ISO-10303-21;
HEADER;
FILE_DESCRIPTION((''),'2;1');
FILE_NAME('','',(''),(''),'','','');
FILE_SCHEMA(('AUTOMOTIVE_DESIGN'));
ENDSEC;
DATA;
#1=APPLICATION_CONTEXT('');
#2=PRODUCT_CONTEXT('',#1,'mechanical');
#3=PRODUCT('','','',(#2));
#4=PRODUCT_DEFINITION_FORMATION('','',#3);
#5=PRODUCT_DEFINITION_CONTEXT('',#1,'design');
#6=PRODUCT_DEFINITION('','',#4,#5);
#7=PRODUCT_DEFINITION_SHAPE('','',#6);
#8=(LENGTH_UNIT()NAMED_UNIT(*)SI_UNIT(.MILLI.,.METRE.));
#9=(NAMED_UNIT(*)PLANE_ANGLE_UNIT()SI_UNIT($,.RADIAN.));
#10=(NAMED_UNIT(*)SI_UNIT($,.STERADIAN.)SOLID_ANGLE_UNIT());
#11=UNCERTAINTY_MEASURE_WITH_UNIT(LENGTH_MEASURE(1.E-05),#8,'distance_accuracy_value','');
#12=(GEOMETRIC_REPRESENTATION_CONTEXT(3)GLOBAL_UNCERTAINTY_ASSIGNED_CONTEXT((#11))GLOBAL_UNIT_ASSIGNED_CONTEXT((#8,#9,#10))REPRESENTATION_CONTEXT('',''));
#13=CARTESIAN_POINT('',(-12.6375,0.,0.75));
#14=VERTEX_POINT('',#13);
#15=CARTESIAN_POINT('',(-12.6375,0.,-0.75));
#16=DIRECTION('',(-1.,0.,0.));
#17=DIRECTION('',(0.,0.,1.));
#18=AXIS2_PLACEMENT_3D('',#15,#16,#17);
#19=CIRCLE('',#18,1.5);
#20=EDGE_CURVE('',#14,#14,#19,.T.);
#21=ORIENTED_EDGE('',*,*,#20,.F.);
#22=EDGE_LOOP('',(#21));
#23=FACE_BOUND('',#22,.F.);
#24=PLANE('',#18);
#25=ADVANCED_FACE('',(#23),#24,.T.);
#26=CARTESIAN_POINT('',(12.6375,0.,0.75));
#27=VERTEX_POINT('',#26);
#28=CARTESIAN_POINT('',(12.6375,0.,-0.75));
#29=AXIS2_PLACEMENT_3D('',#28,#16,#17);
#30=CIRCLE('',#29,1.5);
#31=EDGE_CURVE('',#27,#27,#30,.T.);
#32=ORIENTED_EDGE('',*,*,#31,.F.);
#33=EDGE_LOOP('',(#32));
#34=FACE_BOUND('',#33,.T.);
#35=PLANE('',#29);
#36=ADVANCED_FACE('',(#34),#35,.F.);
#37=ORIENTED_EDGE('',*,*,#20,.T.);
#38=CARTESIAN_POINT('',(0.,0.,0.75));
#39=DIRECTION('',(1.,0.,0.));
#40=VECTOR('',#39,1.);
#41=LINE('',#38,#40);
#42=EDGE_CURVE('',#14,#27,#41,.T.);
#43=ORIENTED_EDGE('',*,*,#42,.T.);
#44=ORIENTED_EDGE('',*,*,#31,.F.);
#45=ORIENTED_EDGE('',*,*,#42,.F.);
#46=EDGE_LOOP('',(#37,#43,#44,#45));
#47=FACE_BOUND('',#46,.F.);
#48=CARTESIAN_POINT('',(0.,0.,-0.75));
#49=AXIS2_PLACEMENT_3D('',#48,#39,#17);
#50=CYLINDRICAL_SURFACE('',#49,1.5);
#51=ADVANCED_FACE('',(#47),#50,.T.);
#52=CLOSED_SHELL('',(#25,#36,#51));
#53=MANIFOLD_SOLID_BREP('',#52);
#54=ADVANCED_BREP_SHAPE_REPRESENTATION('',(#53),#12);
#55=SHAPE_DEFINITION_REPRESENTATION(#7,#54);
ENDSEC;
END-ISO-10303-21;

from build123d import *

# Parameters (mm, degrees)
F0_W = 25.275
F0_H = 1.5


with BuildPart() as f1:
    # F0 (on Front) → F1 (revolve)
    with BuildSketch(Plane.XZ):
        Rectangle(F0_W, F0_H)
    revolve(axis=Axis((0, 0, -0.75), (-1, 0, 0)))


solid = f1.part
